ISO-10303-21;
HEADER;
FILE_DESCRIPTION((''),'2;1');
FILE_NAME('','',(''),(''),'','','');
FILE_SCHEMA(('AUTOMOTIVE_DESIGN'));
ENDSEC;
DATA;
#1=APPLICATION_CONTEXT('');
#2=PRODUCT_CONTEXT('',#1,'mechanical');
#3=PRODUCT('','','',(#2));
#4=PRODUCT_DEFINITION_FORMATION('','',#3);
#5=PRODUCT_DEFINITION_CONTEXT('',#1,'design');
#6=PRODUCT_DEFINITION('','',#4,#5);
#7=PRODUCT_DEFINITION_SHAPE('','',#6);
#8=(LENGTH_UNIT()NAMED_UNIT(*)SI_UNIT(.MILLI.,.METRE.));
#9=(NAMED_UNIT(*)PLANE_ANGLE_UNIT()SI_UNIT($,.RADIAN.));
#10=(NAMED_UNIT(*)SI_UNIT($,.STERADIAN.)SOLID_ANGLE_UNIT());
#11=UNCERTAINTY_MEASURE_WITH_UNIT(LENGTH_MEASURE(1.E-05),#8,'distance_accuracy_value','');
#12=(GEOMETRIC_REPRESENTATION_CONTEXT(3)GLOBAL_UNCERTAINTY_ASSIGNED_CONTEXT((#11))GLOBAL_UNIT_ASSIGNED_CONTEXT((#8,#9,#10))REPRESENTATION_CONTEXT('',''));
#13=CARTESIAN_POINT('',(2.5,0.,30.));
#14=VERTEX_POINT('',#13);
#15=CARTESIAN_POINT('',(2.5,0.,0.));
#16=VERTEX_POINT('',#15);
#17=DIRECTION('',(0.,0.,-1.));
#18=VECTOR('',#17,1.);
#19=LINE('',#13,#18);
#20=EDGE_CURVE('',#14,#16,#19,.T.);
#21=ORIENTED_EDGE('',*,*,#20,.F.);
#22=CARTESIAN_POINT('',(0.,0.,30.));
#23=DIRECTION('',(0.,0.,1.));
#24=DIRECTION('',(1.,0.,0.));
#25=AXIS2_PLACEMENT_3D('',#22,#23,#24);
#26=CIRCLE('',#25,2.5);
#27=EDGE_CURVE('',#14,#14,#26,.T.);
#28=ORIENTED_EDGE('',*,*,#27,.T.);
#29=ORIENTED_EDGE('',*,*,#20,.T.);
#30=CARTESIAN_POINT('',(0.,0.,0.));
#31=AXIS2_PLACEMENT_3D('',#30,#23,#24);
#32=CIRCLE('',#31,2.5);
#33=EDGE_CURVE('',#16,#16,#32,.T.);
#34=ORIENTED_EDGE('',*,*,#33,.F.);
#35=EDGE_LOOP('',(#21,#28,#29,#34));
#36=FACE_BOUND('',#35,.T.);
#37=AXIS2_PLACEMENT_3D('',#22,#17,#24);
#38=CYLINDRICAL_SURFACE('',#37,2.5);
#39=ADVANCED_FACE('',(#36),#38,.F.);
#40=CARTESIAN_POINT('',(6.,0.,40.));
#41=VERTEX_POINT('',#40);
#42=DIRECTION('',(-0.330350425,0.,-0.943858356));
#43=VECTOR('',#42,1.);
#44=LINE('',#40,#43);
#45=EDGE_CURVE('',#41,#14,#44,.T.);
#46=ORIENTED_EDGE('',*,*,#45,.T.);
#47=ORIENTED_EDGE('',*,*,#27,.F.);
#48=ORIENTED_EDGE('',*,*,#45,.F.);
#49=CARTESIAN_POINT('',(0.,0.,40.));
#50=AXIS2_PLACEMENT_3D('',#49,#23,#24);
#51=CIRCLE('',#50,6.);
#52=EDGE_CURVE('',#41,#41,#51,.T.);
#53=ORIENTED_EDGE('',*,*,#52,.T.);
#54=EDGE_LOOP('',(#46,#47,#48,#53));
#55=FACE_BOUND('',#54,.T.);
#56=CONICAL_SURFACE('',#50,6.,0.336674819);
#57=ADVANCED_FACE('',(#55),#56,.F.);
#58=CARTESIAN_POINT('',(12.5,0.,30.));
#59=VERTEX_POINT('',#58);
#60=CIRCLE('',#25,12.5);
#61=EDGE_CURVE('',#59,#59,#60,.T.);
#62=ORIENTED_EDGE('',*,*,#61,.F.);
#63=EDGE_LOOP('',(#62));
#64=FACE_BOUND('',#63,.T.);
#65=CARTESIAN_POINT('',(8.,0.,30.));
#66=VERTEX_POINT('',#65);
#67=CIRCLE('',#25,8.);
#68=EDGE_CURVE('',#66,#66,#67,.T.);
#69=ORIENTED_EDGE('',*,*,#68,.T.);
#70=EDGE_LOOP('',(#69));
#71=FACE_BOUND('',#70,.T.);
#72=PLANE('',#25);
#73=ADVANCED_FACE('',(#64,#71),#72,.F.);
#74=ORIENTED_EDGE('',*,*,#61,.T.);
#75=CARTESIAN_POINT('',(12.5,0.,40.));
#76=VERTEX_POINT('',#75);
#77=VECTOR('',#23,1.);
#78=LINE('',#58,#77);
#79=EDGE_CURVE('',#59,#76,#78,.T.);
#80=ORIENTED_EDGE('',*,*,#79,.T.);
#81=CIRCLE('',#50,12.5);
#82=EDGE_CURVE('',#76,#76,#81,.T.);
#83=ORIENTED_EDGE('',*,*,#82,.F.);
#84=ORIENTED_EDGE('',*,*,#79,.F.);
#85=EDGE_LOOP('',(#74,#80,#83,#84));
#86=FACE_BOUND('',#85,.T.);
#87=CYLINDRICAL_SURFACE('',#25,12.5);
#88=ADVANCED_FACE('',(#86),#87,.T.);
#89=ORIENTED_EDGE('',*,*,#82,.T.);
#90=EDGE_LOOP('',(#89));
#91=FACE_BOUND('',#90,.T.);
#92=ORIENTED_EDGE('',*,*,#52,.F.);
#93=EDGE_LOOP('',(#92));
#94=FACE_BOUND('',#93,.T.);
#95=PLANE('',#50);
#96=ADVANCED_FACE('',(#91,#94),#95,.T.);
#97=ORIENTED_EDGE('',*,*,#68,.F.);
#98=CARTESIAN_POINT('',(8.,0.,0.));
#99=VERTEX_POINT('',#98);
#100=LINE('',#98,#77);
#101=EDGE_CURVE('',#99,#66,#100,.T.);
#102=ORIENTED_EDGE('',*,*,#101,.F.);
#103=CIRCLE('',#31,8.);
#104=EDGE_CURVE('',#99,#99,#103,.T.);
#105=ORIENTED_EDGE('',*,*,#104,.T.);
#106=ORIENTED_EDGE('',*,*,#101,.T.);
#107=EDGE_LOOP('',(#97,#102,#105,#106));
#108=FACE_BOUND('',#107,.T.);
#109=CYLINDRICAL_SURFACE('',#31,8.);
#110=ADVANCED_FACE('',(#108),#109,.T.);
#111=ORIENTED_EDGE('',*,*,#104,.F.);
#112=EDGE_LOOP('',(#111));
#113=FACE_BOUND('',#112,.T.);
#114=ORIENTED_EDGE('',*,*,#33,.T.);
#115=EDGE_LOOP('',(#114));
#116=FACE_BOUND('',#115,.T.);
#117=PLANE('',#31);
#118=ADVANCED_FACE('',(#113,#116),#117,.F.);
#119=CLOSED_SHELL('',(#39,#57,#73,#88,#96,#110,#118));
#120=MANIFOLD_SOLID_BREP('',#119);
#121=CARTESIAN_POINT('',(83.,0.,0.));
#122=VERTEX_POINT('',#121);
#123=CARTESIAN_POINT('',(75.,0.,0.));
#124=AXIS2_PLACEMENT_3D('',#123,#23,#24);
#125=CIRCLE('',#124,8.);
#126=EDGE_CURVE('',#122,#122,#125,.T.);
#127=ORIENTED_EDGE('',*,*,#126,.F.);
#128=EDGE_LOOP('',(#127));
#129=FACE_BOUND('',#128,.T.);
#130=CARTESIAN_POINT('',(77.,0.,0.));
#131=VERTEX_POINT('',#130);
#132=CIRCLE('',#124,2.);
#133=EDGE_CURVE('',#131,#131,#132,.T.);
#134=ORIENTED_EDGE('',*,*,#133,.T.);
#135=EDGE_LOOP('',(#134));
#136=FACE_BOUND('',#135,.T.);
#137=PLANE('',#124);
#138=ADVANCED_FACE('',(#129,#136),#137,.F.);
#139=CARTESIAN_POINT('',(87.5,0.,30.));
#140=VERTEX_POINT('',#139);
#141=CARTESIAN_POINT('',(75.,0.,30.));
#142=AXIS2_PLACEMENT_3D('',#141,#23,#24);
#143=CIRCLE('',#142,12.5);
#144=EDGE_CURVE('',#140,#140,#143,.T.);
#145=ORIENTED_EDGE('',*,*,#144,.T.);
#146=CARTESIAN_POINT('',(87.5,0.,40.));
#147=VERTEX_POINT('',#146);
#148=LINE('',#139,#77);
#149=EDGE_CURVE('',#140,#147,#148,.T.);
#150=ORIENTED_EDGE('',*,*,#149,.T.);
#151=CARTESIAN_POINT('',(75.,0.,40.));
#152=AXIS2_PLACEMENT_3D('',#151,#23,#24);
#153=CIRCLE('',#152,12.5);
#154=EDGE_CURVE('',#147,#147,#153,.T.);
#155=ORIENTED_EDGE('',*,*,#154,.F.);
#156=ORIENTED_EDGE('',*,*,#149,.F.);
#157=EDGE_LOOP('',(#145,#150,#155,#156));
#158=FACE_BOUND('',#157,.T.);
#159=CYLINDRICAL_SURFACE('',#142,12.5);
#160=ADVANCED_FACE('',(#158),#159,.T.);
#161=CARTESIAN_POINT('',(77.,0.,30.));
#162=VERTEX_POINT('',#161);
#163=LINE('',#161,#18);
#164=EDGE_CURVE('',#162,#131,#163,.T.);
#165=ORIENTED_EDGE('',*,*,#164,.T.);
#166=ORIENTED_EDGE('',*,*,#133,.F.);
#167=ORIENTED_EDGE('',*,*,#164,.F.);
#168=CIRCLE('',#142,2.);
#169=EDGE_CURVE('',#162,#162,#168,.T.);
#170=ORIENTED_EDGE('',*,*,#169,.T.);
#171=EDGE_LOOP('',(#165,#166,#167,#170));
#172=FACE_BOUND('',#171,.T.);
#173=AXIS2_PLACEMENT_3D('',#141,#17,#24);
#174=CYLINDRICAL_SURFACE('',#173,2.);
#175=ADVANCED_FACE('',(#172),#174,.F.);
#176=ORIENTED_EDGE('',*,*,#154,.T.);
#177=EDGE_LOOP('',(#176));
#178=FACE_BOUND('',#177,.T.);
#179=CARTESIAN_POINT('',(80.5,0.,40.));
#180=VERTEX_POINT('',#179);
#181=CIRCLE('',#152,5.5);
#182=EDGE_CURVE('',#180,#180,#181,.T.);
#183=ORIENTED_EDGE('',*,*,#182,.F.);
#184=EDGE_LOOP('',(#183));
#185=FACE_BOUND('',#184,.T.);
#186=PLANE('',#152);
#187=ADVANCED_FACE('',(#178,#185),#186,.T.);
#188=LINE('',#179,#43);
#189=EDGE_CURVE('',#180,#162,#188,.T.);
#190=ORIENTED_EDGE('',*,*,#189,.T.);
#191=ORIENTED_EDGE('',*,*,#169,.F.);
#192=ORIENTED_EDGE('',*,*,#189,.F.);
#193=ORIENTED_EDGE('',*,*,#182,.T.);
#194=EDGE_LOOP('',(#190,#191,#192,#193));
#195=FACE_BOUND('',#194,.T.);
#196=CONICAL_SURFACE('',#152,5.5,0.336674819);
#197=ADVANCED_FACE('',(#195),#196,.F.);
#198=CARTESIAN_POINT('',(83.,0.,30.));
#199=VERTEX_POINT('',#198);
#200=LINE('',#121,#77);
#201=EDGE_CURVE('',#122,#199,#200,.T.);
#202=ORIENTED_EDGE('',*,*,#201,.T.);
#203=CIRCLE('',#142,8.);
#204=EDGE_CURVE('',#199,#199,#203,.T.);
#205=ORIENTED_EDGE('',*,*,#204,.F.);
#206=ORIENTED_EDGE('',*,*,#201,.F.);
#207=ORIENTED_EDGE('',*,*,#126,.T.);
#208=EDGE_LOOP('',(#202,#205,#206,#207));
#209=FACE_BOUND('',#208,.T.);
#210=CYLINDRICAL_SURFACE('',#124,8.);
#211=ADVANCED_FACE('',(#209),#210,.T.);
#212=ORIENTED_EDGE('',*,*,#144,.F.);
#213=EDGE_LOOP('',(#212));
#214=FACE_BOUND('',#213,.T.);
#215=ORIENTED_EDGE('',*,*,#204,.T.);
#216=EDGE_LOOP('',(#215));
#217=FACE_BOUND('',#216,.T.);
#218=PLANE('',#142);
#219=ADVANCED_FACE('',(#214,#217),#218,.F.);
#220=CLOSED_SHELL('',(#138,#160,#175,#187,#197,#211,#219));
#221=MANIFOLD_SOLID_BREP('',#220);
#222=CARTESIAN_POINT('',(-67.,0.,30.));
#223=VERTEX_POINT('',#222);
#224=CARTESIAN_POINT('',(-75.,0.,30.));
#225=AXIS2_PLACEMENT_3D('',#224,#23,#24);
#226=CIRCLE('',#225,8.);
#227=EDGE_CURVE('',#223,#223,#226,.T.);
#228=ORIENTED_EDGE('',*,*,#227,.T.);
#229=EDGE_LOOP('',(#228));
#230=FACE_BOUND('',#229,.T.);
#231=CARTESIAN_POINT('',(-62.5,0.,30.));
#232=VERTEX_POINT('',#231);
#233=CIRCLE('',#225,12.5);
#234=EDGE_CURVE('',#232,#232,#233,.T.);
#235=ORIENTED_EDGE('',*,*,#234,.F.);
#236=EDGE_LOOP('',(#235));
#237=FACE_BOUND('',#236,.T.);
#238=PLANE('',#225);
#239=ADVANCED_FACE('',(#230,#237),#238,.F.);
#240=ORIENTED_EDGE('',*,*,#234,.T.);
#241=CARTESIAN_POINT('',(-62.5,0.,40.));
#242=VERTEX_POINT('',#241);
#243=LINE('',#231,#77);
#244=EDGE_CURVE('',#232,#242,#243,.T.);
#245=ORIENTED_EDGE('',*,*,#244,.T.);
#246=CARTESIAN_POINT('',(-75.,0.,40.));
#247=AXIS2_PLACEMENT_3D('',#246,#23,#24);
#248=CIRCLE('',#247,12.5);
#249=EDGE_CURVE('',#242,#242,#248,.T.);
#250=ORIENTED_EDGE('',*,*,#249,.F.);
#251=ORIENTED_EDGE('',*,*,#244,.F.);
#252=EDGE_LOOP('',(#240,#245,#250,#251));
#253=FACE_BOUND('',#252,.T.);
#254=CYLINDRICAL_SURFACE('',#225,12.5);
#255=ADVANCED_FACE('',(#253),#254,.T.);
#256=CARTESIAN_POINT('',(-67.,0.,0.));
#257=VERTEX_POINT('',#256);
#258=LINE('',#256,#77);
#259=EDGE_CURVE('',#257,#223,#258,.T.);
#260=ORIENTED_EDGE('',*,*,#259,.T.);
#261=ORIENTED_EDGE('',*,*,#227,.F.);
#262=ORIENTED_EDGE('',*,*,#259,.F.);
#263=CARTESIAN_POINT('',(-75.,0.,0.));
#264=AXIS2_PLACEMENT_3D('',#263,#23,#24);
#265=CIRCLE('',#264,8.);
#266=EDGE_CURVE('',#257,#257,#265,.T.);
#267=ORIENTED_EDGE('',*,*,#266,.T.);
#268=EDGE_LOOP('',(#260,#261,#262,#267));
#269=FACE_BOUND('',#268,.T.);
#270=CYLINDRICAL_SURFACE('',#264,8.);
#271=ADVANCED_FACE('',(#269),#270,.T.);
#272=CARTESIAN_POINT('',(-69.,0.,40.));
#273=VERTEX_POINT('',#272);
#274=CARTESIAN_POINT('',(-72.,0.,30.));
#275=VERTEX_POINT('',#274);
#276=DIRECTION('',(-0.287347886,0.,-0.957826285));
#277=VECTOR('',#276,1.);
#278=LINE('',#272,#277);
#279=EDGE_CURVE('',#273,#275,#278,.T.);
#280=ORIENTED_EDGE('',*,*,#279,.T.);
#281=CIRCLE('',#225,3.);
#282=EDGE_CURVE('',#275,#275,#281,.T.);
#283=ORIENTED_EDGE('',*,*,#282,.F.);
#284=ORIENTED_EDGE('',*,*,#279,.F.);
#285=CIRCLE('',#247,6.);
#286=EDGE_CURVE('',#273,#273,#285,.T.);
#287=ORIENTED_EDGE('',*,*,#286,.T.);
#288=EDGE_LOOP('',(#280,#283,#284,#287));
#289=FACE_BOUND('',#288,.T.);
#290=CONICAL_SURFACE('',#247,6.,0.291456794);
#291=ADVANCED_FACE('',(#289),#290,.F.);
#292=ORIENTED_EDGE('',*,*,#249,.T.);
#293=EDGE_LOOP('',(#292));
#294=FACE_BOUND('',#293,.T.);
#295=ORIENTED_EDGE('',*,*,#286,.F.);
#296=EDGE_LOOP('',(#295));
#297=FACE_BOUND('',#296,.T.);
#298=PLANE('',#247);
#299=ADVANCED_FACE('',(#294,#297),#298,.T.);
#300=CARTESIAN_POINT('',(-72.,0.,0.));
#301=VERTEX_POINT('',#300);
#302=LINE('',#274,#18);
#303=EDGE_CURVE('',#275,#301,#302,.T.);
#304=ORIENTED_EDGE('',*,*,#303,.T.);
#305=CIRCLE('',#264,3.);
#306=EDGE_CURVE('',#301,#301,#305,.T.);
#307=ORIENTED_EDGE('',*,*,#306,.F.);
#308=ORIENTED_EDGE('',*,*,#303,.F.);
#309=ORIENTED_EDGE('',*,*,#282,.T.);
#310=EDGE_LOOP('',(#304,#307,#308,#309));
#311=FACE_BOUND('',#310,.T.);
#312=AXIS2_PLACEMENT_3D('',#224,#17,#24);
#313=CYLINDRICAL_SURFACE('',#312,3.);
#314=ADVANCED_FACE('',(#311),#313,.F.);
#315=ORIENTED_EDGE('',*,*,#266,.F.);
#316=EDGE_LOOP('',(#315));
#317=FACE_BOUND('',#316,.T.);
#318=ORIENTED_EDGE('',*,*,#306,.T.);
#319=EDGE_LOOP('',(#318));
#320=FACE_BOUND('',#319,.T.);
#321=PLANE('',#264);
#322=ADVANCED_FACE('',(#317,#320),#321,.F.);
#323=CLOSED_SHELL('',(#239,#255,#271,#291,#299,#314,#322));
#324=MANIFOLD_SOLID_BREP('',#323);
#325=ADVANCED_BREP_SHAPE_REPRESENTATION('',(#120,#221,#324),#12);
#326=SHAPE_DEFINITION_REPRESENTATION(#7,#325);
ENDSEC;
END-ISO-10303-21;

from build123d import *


with BuildPart() as f1:
    # F0 (on Front) → F1 (revolve)
    with BuildSketch(Plane.XZ):
        Polygon((2.5, 0), (8, 0), (8, 30), (12.5, 30), (12.5, 40), (6, 40), (2.5, 30), align=None)
    revolve(axis=Axis((0, 0, 24.445264), (0, 0, 1)))


with BuildPart() as f3:
    # F2 (on Front) → F3 (revolve)
    with BuildSketch(Plane.XZ):
        Polygon((77, 0), (83, 0), (83, 30), (87.5, 30), (87.5, 40), (80.5, 40), (77, 30), align=None)
    revolve(axis=Axis((75, 0, 24.051853), (0, 0, 1)))


with BuildPart() as f5:
    # F4 (on Front) → F5 (revolve)
    with BuildSketch(Plane.XZ):
        Polygon((-72, 0), (-67, 0), (-67, 30), (-62.5, 30), (-62.5, 40), (-69, 40), (-72, 30), align=None)
    revolve(axis=Axis((-75, 0, 24.515344), (0, 0, 1)))


solid = Compound([f1.part, f3.part, f5.part])
